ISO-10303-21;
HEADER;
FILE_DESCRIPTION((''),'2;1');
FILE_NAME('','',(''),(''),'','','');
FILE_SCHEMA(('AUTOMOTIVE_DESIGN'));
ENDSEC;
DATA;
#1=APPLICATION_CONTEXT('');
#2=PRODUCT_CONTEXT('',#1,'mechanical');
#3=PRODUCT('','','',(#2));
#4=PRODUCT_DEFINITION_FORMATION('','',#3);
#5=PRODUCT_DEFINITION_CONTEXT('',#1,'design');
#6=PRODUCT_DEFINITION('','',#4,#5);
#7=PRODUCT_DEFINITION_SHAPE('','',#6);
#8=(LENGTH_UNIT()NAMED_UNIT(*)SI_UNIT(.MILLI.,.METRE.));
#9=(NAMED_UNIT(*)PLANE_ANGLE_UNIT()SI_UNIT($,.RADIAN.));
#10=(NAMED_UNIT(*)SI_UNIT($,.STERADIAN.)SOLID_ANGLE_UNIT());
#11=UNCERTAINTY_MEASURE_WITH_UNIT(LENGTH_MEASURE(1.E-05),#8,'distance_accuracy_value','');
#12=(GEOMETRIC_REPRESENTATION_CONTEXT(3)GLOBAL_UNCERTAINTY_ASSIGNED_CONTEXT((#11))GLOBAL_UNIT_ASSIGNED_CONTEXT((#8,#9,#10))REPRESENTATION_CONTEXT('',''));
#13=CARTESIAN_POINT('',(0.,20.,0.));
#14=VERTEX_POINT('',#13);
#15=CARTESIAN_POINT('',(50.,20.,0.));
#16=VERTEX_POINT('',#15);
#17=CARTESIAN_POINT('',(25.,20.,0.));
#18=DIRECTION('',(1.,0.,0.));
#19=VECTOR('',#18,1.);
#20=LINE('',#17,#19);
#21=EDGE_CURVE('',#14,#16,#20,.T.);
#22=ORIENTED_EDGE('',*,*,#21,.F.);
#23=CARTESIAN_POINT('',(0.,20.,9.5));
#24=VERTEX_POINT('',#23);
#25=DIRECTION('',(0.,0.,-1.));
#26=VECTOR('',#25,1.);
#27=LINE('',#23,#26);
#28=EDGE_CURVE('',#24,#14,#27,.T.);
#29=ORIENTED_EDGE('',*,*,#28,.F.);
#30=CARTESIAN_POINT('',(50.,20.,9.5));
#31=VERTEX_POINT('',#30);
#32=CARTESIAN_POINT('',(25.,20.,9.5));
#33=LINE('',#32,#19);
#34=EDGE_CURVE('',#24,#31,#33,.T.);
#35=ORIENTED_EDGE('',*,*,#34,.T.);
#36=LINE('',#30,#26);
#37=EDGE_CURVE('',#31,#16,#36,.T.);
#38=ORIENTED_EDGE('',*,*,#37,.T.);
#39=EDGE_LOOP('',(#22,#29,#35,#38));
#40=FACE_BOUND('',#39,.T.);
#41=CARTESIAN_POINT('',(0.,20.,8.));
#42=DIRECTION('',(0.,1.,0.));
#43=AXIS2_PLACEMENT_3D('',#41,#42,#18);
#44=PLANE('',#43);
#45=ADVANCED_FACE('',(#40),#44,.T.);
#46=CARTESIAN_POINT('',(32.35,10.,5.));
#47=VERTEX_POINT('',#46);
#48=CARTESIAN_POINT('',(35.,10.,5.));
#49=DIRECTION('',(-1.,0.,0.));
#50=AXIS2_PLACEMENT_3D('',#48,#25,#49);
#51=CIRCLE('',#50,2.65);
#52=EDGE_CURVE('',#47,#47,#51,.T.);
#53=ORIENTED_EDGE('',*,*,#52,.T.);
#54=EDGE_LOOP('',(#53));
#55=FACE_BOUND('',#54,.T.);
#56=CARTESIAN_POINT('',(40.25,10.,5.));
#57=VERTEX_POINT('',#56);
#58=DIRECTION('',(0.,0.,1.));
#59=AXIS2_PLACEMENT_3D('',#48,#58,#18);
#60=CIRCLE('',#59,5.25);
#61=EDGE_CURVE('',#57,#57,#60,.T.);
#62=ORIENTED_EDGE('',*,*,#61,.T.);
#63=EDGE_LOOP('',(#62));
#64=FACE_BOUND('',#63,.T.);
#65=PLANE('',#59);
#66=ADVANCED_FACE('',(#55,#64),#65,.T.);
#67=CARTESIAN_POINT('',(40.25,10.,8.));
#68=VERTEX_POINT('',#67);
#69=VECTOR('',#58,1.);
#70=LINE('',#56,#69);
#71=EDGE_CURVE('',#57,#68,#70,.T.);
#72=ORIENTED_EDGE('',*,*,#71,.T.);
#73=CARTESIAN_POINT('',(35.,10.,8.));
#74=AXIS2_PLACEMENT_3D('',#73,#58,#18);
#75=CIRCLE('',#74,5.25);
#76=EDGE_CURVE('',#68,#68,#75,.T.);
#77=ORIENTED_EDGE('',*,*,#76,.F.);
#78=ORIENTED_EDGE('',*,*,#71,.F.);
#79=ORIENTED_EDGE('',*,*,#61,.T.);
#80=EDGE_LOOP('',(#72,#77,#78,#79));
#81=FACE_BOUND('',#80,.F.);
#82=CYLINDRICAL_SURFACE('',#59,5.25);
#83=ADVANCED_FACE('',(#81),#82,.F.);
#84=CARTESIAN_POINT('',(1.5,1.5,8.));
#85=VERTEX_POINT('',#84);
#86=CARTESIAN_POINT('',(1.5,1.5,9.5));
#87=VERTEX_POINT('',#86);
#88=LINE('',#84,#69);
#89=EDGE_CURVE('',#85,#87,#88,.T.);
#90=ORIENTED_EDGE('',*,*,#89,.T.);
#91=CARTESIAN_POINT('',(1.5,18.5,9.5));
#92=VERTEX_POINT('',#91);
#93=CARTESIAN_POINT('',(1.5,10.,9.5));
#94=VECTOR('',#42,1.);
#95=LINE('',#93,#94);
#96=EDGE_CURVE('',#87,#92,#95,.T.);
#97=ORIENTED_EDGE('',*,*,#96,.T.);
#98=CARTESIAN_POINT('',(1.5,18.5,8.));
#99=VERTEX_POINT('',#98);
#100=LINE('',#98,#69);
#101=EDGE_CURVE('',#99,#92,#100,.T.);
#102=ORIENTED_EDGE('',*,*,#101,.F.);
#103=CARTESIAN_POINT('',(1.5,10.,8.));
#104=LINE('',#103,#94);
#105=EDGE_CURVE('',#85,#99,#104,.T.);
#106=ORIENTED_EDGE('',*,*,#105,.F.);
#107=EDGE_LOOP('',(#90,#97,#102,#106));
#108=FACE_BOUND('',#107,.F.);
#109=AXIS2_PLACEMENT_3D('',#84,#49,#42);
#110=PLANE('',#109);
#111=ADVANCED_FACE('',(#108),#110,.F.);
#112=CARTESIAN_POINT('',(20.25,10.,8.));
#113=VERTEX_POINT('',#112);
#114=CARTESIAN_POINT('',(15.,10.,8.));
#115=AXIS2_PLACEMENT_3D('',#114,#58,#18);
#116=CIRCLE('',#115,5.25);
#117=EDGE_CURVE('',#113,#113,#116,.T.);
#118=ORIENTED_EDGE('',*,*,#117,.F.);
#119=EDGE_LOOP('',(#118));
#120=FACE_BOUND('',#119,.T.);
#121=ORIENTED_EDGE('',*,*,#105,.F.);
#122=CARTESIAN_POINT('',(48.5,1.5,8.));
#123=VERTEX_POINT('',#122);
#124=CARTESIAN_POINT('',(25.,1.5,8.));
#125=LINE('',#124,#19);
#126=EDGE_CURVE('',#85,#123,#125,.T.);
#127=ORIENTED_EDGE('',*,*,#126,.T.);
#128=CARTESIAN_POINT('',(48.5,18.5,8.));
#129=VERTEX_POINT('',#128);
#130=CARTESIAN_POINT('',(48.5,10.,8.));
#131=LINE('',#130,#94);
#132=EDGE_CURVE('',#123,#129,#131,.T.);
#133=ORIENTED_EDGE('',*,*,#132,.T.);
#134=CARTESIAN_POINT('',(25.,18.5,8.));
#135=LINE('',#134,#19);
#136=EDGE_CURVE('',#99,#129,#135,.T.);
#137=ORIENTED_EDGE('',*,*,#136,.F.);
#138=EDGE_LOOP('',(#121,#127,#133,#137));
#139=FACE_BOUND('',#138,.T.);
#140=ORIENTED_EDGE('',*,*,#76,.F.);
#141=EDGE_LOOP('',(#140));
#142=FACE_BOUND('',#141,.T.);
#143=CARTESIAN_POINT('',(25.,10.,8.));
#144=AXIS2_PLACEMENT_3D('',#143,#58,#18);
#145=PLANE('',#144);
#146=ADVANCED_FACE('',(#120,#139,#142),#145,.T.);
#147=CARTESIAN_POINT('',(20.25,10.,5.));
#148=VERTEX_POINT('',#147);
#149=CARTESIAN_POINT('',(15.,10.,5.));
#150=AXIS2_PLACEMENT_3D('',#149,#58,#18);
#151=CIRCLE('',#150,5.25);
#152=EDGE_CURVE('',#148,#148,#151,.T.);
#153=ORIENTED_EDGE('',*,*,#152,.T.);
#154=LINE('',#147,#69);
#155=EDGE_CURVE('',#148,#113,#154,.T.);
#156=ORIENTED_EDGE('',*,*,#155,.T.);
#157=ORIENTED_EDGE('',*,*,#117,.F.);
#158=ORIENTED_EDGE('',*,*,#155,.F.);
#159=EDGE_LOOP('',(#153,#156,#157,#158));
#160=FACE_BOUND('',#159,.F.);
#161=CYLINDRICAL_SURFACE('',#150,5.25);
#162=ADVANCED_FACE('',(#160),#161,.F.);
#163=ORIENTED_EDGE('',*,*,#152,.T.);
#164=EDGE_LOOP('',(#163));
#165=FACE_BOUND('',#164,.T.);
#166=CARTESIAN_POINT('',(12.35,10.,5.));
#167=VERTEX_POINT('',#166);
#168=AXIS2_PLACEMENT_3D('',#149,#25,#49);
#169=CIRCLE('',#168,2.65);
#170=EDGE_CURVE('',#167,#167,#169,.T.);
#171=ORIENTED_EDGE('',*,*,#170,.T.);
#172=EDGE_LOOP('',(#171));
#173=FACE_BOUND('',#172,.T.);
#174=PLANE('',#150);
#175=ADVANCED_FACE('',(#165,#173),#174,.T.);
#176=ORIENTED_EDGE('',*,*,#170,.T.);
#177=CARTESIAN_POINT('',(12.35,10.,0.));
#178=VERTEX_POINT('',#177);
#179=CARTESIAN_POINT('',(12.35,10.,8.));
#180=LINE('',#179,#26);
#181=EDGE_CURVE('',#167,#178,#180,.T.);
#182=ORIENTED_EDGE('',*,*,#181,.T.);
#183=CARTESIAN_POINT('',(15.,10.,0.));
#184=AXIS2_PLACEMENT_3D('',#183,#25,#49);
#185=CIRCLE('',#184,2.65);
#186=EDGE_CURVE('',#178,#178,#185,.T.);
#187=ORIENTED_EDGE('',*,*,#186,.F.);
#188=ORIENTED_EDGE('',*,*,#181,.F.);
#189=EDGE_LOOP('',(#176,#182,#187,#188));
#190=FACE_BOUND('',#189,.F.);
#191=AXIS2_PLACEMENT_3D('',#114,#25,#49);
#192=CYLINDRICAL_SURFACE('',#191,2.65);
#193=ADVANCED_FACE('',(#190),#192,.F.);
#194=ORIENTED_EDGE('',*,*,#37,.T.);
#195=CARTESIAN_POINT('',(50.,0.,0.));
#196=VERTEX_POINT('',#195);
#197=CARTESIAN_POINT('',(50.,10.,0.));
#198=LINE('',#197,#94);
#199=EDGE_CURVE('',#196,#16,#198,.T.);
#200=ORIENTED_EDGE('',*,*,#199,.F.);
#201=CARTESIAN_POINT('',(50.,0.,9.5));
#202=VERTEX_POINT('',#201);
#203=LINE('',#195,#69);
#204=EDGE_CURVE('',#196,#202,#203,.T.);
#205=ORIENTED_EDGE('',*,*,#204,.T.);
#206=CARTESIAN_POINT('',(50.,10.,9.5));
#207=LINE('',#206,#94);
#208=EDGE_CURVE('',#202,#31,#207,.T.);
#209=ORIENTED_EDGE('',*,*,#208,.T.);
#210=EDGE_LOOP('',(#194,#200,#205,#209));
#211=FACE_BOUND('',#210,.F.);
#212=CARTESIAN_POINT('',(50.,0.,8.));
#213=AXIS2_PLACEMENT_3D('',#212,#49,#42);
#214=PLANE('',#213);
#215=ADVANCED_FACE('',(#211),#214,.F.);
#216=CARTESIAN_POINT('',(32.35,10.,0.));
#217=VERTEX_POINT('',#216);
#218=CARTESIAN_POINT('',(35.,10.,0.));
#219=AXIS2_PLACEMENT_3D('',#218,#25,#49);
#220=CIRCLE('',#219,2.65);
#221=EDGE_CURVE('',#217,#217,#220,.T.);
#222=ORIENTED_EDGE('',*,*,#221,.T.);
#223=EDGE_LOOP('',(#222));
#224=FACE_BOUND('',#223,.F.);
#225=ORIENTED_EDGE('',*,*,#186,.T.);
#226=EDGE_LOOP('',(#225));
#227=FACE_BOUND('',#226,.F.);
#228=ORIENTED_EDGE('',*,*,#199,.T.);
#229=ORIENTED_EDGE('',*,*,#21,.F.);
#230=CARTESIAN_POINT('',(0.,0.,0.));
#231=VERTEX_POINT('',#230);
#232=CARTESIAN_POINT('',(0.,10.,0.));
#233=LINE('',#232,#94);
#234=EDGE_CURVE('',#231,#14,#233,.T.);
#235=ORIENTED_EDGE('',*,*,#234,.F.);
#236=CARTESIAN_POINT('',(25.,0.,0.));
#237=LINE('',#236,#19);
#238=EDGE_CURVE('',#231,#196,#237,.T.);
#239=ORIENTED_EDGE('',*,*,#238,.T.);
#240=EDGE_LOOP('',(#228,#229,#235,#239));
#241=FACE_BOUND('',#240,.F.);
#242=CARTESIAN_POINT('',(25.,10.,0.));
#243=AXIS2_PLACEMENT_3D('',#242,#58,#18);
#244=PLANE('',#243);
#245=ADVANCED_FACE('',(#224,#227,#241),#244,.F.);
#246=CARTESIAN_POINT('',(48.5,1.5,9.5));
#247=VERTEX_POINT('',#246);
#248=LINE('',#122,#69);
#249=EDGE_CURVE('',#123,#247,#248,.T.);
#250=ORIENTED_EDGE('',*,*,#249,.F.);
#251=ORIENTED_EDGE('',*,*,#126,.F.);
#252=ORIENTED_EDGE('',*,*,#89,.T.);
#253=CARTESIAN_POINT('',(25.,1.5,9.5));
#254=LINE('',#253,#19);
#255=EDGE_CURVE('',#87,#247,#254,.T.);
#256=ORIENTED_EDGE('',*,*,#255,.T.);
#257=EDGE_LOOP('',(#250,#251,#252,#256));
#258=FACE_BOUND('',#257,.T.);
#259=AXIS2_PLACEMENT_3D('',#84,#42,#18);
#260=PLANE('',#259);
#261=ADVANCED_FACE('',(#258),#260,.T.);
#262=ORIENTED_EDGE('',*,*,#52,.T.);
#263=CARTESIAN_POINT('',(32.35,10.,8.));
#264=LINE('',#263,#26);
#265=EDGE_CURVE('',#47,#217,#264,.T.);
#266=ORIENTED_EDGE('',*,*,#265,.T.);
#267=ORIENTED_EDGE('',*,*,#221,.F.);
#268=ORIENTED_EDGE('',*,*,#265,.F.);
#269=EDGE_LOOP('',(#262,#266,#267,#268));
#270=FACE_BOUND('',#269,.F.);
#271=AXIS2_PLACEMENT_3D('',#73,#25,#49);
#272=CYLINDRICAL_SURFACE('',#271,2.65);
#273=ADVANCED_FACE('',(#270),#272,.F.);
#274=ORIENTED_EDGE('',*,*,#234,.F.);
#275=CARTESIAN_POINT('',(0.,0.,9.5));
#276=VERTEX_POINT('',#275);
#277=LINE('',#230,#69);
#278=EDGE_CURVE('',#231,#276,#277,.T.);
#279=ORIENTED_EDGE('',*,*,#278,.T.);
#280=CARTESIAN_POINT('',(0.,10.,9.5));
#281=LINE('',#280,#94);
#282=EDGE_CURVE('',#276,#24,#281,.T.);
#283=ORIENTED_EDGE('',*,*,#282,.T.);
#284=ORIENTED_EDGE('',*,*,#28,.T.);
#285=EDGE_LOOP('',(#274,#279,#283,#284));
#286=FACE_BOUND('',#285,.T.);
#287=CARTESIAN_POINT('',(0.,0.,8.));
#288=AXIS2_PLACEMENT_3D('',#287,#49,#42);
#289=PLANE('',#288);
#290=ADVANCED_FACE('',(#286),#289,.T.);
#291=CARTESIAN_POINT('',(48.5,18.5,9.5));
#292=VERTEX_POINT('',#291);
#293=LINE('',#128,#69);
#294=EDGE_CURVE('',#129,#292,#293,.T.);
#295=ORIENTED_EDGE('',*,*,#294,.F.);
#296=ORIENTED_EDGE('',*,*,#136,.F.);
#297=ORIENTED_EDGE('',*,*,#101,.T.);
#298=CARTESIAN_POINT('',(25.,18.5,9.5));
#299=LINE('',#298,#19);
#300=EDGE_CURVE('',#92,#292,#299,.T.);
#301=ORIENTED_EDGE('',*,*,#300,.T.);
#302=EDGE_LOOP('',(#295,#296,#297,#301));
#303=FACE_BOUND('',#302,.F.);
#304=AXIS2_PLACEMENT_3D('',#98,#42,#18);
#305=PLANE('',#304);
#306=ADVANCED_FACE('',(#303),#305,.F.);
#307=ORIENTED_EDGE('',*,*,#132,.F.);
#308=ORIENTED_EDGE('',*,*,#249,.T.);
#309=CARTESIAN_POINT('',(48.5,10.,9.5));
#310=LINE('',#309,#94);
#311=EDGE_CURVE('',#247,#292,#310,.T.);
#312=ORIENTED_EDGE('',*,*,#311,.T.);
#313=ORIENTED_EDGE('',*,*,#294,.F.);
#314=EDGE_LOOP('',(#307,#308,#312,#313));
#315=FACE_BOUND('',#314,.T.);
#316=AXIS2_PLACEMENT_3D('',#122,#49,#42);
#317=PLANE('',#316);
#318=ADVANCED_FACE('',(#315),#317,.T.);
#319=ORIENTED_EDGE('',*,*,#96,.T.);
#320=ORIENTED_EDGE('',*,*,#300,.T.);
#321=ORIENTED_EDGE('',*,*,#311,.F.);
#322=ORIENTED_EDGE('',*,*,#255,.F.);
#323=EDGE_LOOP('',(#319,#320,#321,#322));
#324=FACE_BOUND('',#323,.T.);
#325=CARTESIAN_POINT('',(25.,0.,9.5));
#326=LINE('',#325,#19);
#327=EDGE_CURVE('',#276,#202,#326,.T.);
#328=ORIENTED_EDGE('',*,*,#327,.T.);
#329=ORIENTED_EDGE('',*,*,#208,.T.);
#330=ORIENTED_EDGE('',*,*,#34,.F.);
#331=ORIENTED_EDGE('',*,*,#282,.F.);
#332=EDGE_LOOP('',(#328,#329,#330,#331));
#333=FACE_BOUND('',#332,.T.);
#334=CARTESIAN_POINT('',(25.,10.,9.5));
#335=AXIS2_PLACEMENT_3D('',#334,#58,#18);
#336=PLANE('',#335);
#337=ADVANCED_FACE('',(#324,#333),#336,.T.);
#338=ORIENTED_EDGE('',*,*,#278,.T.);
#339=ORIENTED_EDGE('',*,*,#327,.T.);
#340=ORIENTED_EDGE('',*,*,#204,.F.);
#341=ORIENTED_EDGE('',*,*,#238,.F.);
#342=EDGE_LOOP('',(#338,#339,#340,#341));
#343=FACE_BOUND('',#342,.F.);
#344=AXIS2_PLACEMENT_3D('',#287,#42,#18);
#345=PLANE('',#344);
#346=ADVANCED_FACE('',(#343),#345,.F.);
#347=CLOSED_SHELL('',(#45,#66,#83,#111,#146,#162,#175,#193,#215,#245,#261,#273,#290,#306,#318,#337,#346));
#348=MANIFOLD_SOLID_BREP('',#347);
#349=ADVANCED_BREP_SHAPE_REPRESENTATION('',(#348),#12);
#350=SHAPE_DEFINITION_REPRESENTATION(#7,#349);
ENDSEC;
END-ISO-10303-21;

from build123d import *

# Parameters (mm, degrees)
F0_W           = 50
F0_H           = 20
F1_DEPTH       = 8
F3_D           = 5.3
F3_CBORE_D     = 10.5
F3_CBORE_DEPTH = 3
F4_W           = 50
F4_H           = 20
F4_W_2         = 47
F4_H_2         = 17
F5_DEPTH       = 1.5


with BuildPart() as f1:
    # F0 (on Top) → F1 (new body)
    with BuildSketch(Plane.XY):
        with Locations((25, 10)):
            Rectangle(F0_W, F0_H)
    extrude(amount=F1_DEPTH)

    # F3 (through all)
    with Locations(Plane.XY.offset(8)):
        with Locations((15, 10), (35, 10)):
            CounterBoreHole(F3_D / 2, F3_CBORE_D / 2, F3_CBORE_DEPTH)

    # F4 (on face) → F5 (join)
    with BuildSketch(Plane.XY.offset(8)):
        with Locations((25, 10)):
            Rectangle(F4_W, F4_H)
        with Locations((25, 10)):
            Rectangle(F4_W_2, F4_H_2, mode=Mode.SUBTRACT)
    extrude(amount=F5_DEPTH)


solid = f1.part
